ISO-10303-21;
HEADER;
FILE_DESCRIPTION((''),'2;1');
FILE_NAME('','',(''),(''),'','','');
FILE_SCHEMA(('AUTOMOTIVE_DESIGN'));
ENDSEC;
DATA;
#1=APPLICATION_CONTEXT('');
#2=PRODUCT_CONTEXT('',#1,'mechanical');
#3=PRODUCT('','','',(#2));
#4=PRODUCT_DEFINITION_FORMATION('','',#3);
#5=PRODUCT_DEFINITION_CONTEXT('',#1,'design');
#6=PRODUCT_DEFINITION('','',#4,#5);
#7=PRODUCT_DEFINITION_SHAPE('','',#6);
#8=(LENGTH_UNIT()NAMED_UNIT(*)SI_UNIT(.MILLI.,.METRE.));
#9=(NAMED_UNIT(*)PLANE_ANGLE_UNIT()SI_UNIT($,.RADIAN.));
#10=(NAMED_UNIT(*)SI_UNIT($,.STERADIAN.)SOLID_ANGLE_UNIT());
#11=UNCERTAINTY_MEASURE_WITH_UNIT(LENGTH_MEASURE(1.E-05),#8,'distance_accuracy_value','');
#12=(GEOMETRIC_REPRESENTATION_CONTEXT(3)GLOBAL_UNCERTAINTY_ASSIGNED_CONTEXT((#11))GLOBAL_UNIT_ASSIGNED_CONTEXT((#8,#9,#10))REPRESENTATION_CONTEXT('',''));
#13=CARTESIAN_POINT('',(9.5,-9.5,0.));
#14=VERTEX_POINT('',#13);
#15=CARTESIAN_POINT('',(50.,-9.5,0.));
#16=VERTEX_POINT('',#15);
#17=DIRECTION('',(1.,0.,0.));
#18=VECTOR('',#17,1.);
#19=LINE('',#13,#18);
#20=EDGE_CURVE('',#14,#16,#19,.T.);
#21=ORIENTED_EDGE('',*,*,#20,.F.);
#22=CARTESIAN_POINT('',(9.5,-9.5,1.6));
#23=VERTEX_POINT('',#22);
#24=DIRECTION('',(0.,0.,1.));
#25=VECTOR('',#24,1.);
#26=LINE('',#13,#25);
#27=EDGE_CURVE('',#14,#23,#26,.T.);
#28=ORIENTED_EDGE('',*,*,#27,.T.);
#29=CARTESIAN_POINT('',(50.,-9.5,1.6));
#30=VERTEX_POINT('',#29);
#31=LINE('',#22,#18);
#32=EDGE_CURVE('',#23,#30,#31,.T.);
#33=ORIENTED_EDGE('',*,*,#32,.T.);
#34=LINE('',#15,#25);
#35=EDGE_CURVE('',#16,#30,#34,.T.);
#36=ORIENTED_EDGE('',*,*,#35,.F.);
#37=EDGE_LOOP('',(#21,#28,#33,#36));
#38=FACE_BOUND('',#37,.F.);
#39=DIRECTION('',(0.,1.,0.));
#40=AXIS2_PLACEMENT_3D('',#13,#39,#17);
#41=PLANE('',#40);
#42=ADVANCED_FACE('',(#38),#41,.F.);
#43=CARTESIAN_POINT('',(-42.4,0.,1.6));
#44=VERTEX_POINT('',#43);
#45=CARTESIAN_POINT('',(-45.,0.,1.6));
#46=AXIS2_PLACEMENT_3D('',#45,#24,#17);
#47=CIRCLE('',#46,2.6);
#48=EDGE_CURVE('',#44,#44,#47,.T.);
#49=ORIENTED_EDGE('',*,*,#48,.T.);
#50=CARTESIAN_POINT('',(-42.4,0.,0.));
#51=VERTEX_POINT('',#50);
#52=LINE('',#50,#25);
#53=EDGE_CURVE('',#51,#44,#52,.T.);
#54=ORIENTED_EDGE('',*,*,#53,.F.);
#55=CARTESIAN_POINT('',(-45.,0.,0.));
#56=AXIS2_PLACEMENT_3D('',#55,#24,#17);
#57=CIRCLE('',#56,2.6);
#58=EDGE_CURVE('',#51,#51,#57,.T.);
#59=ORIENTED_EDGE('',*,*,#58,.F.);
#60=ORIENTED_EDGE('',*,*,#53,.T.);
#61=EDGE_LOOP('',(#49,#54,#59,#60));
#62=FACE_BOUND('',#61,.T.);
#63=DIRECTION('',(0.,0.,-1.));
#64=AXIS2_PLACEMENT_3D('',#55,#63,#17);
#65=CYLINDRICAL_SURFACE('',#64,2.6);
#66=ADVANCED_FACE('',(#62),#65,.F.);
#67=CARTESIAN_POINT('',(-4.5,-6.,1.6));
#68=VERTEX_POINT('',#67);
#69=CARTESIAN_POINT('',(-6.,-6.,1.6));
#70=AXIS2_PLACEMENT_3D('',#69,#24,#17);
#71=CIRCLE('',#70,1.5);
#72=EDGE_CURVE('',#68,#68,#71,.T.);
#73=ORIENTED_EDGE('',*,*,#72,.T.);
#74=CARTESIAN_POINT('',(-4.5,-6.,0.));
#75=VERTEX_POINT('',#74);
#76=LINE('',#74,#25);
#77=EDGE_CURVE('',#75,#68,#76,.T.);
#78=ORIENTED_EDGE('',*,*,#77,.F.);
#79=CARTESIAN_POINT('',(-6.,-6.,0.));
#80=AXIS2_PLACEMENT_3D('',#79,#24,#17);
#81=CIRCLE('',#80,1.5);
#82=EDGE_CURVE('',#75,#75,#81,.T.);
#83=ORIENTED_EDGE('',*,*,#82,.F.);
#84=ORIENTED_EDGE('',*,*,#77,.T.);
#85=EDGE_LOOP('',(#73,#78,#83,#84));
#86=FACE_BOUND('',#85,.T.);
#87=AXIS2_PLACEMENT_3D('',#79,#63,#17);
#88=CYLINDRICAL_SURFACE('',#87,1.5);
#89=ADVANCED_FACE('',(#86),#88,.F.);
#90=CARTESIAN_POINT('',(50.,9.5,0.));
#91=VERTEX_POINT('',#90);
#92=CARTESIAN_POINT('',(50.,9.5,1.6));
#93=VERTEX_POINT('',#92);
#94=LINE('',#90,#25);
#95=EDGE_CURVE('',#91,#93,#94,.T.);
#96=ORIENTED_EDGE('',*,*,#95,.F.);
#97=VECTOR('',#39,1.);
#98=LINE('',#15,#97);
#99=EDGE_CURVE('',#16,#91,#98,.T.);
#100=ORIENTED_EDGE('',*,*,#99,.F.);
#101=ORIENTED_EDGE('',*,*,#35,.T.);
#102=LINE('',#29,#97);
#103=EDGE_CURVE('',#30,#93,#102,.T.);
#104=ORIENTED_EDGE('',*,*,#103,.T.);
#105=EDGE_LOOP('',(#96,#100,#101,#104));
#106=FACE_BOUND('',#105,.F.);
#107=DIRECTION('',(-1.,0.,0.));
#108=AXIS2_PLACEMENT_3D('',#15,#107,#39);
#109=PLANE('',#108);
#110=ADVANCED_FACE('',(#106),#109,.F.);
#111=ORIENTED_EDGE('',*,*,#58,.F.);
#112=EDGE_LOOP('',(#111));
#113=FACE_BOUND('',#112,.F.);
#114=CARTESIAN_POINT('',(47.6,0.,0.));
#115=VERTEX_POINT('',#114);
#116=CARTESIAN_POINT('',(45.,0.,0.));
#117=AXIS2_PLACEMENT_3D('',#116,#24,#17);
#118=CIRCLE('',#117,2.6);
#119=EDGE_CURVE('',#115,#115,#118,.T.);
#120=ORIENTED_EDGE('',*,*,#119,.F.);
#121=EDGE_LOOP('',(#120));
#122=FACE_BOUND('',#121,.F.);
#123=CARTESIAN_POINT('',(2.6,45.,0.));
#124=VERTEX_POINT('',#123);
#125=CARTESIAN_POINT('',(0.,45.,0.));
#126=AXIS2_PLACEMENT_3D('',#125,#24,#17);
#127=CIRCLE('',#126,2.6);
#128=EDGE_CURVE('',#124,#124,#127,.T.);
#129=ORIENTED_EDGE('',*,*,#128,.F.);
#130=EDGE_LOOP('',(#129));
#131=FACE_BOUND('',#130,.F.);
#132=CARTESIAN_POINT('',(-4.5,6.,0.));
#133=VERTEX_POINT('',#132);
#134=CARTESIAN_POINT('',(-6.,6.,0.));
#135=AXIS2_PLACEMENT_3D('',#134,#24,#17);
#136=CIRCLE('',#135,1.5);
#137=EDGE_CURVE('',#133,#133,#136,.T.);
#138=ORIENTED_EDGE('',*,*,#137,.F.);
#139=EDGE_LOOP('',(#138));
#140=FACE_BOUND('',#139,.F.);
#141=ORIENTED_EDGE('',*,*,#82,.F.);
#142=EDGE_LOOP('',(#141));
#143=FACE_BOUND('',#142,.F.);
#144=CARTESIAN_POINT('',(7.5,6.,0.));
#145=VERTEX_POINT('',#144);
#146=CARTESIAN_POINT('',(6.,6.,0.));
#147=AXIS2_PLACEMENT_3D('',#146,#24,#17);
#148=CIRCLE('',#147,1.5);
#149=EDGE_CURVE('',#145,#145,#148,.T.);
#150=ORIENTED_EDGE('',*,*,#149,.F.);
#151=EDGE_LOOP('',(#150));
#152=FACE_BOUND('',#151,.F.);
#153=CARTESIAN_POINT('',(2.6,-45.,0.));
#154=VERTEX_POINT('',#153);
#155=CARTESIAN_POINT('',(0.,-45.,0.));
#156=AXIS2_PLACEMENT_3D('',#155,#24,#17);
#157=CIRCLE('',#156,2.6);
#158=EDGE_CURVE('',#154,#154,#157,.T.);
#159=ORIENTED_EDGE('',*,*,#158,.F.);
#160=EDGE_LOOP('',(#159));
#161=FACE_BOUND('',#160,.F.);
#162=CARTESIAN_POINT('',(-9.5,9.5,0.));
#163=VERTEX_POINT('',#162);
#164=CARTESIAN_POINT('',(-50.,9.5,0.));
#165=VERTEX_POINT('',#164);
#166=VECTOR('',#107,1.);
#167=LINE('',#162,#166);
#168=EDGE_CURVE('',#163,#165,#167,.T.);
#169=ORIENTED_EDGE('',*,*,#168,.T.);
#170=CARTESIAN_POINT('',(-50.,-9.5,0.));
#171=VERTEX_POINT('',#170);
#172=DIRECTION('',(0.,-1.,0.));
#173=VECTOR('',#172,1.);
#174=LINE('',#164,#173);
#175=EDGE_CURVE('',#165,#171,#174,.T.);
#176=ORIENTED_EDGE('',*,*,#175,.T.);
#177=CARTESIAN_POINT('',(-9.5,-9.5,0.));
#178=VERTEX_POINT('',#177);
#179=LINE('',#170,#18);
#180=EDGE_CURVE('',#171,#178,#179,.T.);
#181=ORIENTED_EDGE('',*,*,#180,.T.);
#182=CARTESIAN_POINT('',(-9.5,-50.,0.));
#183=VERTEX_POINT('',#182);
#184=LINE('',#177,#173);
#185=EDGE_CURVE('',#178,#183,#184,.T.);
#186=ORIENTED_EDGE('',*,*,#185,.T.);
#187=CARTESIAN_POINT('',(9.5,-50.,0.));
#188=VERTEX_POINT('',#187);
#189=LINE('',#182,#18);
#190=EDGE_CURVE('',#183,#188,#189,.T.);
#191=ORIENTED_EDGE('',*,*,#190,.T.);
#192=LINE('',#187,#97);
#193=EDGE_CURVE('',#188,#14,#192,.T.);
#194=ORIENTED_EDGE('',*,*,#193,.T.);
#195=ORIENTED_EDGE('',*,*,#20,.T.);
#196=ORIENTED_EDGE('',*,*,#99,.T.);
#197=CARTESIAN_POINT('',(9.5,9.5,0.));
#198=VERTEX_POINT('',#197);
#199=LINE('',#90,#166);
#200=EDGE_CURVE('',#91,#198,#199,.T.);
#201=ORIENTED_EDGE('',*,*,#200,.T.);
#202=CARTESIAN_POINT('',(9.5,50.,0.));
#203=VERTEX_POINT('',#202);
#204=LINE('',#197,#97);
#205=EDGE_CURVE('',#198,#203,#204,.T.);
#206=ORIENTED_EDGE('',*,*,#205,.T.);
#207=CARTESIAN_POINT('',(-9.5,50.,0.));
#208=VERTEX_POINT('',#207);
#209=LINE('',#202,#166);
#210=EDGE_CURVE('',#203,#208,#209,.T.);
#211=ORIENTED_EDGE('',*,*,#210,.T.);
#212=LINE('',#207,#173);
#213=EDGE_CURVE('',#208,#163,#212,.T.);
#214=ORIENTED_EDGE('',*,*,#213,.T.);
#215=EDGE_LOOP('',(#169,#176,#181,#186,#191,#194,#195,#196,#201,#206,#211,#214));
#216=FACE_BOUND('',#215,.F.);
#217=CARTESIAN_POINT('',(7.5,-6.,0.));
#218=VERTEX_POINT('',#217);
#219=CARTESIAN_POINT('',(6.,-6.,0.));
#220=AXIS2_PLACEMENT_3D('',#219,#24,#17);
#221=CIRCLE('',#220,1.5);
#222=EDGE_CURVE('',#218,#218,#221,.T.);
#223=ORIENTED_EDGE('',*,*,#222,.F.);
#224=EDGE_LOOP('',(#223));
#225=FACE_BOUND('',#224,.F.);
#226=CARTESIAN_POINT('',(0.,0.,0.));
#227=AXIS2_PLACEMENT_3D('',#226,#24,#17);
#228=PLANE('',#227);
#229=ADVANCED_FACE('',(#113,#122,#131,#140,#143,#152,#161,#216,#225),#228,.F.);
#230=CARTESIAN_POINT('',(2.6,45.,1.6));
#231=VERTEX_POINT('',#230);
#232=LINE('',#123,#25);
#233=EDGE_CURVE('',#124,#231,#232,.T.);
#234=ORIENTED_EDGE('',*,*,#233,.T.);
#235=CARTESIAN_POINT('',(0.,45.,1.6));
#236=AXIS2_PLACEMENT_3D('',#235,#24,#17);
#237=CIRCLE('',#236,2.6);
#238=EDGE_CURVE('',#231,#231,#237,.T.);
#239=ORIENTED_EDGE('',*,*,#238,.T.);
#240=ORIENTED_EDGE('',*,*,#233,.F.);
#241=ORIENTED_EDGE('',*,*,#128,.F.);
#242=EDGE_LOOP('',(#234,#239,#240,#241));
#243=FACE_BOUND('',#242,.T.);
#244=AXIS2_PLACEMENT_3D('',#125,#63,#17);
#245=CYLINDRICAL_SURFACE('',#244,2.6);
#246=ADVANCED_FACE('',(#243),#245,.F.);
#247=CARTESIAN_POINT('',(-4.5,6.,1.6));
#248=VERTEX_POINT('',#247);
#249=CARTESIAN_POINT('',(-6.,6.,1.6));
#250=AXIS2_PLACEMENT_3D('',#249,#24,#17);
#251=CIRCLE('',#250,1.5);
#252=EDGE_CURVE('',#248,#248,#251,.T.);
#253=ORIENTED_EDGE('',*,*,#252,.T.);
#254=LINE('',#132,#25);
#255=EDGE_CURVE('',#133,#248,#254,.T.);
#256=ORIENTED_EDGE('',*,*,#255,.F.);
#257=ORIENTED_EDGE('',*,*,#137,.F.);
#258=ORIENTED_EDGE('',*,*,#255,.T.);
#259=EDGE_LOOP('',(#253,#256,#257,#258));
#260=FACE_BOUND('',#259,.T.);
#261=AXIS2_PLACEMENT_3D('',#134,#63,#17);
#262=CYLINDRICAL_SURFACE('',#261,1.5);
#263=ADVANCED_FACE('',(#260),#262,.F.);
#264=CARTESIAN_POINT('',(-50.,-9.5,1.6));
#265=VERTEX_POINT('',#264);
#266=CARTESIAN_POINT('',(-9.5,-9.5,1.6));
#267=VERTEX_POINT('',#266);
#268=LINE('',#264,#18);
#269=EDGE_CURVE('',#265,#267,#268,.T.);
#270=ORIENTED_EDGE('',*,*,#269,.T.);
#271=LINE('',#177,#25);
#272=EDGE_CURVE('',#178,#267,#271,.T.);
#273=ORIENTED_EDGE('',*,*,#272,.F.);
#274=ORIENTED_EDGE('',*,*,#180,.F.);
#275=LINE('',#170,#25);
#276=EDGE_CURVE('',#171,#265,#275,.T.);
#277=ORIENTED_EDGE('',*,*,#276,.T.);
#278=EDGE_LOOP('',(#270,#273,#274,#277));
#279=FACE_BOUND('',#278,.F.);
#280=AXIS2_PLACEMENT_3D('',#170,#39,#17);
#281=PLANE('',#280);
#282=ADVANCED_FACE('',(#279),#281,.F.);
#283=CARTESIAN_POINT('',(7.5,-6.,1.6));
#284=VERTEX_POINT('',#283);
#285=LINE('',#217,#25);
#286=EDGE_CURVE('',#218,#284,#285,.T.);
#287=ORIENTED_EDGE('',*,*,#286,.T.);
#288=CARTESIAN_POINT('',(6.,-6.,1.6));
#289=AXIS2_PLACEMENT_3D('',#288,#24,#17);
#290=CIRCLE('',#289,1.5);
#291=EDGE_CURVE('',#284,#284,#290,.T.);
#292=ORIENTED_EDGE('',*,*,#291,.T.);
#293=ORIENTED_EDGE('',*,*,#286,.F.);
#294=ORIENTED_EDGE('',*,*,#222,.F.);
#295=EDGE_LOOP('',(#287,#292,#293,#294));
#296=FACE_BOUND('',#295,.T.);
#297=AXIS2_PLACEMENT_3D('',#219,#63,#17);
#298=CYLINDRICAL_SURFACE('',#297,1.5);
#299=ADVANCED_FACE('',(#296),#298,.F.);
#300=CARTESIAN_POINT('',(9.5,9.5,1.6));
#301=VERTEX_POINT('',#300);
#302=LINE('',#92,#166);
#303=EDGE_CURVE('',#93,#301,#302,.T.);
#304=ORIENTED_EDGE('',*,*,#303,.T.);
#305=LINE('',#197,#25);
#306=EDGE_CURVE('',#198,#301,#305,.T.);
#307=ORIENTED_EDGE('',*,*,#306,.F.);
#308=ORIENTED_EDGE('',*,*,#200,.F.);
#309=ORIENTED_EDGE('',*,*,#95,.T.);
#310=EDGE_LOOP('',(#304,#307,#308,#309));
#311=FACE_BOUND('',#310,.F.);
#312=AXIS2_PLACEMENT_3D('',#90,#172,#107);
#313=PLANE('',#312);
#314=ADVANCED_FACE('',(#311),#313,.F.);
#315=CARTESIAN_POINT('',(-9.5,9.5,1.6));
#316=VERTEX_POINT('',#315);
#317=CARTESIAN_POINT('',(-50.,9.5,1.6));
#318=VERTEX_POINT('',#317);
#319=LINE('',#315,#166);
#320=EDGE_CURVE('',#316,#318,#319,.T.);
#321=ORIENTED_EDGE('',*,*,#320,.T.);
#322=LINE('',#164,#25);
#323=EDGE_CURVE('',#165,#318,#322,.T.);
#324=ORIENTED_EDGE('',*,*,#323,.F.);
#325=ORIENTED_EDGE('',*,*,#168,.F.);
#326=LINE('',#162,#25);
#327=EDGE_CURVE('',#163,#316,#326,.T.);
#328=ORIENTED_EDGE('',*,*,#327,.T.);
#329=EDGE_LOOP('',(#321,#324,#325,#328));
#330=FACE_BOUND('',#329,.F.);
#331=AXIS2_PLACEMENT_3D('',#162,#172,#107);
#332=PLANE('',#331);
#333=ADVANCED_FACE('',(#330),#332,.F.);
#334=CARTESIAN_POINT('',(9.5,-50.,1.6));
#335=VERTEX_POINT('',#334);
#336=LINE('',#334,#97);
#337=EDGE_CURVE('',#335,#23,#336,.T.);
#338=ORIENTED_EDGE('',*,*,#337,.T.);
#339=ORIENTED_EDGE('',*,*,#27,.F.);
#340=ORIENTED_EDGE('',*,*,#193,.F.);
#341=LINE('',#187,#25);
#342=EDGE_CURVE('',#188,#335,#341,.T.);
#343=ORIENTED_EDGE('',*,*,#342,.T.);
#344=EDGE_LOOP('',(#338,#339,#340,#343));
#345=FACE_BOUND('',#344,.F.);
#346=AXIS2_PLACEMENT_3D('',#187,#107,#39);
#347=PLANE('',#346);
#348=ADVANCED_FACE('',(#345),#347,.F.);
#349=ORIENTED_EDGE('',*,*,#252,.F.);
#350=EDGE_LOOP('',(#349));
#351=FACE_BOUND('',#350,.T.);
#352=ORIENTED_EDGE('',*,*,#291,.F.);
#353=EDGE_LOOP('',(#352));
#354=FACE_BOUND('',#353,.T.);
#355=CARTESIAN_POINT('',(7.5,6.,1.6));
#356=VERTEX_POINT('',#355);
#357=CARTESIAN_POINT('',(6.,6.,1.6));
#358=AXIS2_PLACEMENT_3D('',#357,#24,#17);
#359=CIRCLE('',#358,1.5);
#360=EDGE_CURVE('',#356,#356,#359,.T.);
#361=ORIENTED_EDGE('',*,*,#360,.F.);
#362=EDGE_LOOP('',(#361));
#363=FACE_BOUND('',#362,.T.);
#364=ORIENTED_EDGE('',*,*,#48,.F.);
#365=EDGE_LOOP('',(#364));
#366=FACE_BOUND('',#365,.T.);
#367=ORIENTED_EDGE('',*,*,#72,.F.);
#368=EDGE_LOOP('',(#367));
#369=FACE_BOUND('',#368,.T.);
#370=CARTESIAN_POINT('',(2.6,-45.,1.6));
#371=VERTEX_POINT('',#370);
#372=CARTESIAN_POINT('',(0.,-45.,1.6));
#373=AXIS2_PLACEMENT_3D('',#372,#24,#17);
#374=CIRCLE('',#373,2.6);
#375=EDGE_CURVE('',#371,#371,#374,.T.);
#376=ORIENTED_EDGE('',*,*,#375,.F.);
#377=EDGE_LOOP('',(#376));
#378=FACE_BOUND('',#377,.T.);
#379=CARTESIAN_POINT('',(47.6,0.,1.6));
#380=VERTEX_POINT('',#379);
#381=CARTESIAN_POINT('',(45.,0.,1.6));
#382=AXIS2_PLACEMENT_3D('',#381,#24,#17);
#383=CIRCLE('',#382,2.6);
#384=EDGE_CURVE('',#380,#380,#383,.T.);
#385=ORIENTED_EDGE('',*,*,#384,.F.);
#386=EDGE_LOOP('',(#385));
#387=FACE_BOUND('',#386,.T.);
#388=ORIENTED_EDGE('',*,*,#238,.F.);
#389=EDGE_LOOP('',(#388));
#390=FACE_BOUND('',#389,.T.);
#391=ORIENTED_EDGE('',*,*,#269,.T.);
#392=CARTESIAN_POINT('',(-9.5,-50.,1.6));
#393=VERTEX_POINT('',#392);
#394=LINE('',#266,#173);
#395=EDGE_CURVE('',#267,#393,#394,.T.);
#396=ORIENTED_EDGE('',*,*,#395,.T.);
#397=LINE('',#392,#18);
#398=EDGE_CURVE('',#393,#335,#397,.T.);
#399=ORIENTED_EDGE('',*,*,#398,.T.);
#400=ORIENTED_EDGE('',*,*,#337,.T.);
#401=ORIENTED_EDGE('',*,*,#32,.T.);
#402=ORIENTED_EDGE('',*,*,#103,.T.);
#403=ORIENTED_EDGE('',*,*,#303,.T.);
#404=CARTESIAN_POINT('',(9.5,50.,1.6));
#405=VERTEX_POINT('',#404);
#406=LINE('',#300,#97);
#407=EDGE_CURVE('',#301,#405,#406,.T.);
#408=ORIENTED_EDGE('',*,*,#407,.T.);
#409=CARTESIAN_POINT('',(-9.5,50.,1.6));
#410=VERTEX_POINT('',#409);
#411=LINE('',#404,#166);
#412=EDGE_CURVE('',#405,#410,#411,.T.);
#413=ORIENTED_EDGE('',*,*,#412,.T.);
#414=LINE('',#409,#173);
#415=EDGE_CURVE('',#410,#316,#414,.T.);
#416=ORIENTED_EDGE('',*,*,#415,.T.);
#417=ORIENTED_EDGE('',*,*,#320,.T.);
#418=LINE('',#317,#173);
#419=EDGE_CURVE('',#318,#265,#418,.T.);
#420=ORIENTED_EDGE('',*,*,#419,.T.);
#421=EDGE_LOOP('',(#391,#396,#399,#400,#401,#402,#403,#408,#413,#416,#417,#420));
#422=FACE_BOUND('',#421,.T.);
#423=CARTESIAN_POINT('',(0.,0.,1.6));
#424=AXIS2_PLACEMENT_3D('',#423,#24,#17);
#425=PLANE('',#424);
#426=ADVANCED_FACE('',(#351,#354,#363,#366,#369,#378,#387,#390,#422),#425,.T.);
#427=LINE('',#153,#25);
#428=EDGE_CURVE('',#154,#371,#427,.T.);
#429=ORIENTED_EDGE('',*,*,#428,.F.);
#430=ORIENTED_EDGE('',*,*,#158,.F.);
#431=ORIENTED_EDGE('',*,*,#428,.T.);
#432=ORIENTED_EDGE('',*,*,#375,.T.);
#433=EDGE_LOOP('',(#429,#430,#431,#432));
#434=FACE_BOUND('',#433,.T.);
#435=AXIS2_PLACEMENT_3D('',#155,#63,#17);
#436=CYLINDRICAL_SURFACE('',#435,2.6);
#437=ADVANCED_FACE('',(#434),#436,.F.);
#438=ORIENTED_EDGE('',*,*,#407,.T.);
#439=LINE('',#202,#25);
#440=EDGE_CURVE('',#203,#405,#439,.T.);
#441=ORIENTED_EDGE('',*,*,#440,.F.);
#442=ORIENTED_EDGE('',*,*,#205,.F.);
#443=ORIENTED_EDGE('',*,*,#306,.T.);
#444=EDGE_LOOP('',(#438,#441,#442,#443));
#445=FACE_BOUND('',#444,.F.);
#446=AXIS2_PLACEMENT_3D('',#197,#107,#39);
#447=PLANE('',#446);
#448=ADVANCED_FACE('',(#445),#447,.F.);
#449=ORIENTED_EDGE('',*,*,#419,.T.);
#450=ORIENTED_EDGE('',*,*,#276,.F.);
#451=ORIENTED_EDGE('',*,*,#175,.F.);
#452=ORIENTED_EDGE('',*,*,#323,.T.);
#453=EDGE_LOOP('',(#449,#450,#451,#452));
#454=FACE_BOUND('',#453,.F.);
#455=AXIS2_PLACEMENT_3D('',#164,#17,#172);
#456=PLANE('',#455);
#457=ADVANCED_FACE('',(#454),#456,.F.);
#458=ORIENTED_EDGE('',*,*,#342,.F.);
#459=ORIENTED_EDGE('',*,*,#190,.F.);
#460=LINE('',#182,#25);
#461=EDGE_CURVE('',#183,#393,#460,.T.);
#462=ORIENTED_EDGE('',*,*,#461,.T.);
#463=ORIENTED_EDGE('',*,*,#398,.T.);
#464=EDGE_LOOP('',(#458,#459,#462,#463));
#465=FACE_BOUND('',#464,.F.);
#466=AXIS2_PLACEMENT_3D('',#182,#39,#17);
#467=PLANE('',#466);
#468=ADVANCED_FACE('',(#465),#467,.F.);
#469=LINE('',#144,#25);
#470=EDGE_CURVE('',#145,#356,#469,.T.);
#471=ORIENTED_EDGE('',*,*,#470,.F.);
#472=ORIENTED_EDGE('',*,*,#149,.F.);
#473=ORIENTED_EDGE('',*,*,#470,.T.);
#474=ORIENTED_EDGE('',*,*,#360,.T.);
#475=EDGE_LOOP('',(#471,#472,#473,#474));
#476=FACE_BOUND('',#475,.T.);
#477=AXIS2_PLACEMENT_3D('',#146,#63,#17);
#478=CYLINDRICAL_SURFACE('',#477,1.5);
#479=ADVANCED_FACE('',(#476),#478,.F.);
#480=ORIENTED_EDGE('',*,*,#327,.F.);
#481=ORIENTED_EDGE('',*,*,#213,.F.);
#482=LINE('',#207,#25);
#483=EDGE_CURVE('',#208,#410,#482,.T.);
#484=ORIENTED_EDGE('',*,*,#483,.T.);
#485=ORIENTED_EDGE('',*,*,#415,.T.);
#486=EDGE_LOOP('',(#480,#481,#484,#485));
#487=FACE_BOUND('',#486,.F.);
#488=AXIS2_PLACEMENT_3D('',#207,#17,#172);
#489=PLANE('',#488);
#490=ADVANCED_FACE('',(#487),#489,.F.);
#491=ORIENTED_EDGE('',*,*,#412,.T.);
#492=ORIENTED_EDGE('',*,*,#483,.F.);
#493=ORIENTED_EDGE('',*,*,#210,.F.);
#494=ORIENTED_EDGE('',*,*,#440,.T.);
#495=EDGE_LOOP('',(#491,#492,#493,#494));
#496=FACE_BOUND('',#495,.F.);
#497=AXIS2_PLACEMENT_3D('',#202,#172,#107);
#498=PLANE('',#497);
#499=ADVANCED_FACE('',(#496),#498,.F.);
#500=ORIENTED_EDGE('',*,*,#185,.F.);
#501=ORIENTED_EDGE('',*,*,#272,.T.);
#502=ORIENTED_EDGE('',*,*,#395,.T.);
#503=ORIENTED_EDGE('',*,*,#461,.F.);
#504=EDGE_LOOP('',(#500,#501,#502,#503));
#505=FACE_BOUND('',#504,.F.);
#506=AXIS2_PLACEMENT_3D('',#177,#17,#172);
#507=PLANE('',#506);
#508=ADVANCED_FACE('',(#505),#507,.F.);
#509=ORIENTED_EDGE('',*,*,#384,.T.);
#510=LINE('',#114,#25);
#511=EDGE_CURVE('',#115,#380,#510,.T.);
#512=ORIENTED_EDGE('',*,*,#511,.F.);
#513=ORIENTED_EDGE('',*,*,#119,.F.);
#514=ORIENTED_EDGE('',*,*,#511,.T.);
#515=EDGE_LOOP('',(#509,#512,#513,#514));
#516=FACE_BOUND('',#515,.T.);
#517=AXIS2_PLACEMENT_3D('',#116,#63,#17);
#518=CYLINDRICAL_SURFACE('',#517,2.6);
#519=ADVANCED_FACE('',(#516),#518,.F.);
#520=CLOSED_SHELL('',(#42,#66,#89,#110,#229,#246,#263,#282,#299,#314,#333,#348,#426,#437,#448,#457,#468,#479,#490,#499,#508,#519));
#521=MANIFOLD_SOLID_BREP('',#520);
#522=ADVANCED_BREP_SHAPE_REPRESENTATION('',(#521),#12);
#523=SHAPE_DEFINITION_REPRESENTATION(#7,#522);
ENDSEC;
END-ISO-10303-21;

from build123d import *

# Parameters (mm, degrees)
F0_R     = 1.5
F0_R_2   = 2.6
F1_DEPTH = 1.6


with BuildPart() as f1:
    # F0 (on Top) → F1 (new body)
    with BuildSketch(Plane.XY):
        Polygon((9.5, 50), (-9.5, 50), (-9.5, 9.5), (-50, 9.5), (-50, -9.5), (-9.5, -9.5), (-9.5, -50), (9.5, -50), (9.5, -9.5), (50, -9.5), (50, 9.5), (9.5, 9.5), align=None)
        with Locations((-6, -6)):
            Circle(F0_R, mode=Mode.SUBTRACT)
        with Locations((0, -45)):
            Circle(F0_R_2, mode=Mode.SUBTRACT)
        with Locations((6, -6)):
            Circle(F0_R, mode=Mode.SUBTRACT)
        with Locations((-45, 0)):
            Circle(F0_R_2, mode=Mode.SUBTRACT)
        with Locations((-6, 6)):
            Circle(F0_R, mode=Mode.SUBTRACT)
        with Locations((6, 6)):
            Circle(F0_R, mode=Mode.SUBTRACT)
        with Locations((45, 0)):
            Circle(F0_R_2, mode=Mode.SUBTRACT)
        with Locations((0, 45)):
            Circle(F0_R_2, mode=Mode.SUBTRACT)
    extrude(amount=F1_DEPTH)


solid = f1.part
